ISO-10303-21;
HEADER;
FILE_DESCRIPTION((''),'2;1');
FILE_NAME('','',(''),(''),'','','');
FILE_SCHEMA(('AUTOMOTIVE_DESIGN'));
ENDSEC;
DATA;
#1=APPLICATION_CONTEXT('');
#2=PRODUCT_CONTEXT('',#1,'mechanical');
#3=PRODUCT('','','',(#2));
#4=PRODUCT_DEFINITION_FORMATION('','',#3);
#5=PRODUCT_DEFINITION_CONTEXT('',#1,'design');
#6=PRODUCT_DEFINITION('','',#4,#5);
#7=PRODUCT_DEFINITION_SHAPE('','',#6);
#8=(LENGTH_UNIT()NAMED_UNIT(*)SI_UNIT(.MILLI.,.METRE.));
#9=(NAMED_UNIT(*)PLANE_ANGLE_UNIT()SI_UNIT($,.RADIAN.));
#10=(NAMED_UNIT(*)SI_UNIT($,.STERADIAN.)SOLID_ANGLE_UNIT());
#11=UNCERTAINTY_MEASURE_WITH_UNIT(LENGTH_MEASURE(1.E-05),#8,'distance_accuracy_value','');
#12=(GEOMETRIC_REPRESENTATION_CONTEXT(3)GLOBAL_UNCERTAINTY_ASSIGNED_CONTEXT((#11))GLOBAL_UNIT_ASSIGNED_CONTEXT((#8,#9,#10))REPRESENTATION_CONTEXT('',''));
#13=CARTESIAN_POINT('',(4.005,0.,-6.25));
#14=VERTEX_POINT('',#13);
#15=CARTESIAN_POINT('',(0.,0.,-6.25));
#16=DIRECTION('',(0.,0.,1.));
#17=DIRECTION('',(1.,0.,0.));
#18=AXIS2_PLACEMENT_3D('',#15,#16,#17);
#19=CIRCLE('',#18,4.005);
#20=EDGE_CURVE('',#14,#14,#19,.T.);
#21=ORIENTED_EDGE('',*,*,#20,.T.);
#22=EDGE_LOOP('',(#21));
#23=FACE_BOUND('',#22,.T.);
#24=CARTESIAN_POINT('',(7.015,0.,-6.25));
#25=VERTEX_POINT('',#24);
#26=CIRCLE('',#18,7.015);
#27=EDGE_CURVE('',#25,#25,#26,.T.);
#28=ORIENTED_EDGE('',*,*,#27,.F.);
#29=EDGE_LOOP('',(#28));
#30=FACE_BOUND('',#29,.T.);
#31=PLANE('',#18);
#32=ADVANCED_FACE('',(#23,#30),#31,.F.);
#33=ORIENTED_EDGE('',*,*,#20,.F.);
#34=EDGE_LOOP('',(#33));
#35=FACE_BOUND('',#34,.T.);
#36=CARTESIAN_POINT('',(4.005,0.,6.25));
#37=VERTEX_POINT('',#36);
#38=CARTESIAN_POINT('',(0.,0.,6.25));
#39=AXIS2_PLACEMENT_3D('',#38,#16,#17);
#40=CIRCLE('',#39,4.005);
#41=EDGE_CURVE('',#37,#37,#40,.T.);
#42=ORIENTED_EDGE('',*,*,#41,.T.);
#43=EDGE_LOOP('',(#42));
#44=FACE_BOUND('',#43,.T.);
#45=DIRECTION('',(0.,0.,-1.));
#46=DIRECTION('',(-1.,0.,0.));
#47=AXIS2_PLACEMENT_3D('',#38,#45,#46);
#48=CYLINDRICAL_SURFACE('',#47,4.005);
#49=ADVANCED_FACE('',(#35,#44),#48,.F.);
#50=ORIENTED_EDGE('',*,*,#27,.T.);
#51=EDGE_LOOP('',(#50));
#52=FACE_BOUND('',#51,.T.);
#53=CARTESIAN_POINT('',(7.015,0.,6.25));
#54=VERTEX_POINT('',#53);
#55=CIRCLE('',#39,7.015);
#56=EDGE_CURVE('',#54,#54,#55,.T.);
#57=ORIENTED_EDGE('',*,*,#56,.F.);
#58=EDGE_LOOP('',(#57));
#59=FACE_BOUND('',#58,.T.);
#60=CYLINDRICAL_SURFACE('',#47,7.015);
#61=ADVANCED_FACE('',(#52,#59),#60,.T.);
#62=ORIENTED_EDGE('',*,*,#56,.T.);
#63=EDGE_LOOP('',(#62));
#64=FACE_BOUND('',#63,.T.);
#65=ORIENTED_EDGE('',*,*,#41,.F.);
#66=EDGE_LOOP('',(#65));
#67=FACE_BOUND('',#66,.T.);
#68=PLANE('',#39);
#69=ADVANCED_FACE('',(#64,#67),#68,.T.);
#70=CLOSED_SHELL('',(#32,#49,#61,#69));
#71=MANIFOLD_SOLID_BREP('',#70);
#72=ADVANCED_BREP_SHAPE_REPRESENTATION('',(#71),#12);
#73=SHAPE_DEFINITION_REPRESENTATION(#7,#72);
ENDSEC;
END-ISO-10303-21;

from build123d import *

# Parameters (mm, degrees)
SKETCH1_R           = 7.015
SKETCH1_R_2         = 4.005
BOSS_EXTRUDE1_DEPTH = 6.25


with BuildPart() as part:
    # Sketch1 → Boss-Extrude1 (new, symmetric)
    with BuildSketch(Plane.XY):
        Circle(SKETCH1_R)
        Circle(SKETCH1_R_2, mode=Mode.SUBTRACT)
    extrude(amount=BOSS_EXTRUDE1_DEPTH, both=True)


solid = part.part
